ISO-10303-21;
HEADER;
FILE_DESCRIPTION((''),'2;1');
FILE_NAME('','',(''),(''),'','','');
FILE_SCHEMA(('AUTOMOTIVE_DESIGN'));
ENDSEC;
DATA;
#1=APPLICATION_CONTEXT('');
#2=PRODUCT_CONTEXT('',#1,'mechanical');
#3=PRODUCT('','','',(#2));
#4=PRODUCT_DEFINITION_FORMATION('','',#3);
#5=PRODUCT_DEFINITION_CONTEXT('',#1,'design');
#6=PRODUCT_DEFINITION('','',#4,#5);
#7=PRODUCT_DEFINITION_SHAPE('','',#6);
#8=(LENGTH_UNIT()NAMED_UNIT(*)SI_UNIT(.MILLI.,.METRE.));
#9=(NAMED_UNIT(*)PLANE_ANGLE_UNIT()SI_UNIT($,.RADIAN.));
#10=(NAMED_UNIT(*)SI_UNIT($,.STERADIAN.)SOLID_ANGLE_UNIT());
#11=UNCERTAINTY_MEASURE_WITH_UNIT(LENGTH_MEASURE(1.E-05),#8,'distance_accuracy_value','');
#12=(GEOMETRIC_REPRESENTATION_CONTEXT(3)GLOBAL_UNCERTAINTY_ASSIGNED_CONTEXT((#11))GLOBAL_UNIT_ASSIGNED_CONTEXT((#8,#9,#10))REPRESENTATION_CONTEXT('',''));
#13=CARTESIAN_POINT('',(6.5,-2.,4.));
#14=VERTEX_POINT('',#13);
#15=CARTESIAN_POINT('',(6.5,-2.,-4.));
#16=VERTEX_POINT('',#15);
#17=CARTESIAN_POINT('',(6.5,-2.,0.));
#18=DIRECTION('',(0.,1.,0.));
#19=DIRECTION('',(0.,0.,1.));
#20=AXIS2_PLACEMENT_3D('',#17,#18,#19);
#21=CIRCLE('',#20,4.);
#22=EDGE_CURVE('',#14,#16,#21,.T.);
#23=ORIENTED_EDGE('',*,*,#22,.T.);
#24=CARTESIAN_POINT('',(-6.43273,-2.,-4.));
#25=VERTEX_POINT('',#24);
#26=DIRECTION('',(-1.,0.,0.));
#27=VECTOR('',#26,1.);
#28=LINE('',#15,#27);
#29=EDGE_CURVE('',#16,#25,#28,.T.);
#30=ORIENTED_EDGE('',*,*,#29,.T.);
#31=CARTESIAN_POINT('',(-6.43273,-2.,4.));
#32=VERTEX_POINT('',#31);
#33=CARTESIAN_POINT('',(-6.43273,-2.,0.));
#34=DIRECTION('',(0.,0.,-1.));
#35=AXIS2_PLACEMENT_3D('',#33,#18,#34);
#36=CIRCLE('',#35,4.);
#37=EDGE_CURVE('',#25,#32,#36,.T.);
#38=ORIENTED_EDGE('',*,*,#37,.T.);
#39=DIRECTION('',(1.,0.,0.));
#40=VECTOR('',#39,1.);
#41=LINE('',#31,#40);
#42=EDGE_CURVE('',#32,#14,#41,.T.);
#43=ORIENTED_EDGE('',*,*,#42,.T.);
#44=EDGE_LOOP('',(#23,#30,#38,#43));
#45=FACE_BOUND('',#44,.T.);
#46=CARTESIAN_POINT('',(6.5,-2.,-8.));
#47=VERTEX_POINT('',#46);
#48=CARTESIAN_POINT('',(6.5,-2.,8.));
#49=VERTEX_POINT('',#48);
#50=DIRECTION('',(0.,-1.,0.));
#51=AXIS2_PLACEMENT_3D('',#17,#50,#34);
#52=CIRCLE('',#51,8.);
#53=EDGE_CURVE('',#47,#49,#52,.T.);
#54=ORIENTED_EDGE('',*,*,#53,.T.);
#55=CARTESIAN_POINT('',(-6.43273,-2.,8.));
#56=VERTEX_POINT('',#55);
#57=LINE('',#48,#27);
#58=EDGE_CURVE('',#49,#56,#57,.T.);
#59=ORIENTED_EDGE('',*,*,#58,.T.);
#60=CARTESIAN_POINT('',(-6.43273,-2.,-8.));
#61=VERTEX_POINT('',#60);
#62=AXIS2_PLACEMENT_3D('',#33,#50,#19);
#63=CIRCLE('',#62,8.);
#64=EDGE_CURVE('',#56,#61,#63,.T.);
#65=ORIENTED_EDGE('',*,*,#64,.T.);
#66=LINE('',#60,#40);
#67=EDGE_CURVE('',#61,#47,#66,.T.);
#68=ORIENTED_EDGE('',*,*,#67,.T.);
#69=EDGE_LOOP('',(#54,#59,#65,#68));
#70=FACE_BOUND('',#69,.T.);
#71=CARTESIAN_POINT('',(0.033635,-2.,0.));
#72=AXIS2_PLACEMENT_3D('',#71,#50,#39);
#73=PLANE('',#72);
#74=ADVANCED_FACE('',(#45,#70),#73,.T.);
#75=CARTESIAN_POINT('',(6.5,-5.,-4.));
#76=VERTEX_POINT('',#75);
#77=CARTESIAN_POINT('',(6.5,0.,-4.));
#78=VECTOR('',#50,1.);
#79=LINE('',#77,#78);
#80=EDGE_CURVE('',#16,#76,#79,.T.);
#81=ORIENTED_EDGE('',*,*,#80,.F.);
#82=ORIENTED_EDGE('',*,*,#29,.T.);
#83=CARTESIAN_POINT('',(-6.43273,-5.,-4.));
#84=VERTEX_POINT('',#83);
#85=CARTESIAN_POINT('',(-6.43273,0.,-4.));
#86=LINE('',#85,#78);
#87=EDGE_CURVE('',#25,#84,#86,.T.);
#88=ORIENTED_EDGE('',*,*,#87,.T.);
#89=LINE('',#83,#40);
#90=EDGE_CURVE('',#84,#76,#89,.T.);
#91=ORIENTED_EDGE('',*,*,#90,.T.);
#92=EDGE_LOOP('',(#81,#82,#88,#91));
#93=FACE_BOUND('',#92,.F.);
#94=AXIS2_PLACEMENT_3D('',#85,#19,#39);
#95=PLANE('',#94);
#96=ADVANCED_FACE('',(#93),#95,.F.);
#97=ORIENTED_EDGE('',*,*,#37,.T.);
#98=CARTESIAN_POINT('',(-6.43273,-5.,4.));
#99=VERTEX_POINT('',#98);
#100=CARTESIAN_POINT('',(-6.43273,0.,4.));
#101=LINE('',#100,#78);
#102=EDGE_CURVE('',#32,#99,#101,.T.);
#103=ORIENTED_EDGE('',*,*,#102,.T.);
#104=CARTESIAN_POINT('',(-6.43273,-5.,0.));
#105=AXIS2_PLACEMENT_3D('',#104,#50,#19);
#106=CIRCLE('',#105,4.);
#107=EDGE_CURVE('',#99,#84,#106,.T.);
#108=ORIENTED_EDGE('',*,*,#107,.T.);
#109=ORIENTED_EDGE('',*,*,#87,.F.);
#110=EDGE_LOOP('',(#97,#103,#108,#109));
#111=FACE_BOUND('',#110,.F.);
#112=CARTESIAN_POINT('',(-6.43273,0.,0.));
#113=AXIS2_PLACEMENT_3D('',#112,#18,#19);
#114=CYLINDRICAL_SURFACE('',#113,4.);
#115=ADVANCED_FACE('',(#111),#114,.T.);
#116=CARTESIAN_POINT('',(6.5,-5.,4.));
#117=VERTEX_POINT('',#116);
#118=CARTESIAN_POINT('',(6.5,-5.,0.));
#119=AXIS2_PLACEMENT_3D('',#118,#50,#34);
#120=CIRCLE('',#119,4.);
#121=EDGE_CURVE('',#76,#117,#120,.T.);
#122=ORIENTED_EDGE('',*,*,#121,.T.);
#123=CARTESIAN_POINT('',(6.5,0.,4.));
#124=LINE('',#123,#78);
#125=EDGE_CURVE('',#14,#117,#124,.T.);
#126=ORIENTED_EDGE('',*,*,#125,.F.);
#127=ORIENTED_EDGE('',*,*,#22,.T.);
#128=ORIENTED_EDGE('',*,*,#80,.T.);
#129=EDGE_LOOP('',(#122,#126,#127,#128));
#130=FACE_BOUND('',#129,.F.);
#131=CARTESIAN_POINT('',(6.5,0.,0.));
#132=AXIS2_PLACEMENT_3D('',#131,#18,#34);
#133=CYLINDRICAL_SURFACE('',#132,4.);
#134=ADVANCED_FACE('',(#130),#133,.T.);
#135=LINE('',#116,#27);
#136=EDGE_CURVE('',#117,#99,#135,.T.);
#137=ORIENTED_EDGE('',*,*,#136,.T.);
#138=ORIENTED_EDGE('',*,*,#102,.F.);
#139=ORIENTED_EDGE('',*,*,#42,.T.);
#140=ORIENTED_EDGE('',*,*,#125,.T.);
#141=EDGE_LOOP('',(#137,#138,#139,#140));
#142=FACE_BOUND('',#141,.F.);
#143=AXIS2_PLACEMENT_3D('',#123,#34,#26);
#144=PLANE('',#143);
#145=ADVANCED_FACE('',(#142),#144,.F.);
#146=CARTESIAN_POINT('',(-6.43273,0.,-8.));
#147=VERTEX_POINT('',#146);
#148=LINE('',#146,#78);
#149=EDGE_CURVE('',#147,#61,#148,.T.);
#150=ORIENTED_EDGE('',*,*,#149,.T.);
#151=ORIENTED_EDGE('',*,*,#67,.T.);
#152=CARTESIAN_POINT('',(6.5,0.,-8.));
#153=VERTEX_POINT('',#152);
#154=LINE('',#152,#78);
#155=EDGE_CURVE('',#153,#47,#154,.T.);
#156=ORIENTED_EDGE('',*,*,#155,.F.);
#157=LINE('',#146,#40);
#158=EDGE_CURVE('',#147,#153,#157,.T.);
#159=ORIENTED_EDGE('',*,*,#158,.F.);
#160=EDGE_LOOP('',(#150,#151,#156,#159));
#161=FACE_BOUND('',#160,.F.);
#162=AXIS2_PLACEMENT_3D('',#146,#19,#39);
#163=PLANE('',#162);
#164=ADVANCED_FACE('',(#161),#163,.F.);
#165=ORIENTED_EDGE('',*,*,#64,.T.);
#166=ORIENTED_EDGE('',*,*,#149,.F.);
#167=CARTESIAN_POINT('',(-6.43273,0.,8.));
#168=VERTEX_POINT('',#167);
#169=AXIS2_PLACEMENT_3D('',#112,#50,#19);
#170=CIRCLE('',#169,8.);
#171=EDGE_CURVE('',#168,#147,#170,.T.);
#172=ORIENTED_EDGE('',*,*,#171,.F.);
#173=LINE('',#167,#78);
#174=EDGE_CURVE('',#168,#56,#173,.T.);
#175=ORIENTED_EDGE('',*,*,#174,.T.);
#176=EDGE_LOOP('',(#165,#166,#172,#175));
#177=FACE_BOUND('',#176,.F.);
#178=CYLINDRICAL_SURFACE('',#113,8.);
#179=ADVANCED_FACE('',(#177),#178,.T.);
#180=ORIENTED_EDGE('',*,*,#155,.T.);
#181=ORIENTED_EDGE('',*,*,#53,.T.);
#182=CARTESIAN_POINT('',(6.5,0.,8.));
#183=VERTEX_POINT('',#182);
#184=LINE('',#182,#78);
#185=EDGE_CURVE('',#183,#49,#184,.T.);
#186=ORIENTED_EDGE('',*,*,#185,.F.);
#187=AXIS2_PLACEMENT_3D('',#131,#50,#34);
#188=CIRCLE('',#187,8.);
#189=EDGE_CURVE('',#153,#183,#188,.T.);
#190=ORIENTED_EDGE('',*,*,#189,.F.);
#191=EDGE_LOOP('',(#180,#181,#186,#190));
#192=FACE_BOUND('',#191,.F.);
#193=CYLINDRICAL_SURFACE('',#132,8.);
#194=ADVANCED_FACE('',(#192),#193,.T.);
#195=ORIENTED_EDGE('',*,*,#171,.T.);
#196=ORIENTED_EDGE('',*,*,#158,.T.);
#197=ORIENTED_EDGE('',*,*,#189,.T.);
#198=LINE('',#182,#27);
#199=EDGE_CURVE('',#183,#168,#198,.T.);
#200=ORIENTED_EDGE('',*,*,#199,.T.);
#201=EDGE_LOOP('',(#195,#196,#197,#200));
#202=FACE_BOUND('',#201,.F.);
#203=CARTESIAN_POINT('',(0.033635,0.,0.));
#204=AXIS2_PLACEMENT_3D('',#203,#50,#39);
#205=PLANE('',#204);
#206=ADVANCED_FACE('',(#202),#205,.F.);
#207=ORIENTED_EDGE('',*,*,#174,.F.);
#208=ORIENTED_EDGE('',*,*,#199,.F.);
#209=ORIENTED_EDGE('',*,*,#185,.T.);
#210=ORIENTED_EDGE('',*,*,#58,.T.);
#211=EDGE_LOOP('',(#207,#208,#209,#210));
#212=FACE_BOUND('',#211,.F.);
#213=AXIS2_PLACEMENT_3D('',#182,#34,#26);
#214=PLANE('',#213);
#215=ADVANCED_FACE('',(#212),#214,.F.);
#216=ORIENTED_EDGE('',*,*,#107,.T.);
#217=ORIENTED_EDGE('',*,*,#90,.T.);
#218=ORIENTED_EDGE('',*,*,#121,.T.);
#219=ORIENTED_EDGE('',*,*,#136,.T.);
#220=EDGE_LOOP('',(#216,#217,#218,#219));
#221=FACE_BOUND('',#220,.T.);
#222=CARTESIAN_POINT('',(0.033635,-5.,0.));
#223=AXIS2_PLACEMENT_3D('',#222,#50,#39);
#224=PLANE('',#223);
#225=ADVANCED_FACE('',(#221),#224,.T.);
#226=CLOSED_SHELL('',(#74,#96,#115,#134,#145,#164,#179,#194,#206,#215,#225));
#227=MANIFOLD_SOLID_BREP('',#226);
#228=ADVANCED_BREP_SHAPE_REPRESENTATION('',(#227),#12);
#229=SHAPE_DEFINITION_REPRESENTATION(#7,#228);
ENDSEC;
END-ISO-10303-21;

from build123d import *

# Parameters (mm, degrees)
F1_DEPTH = 2
F2_DEPTH = 5


with BuildPart() as f1:
    # F0 (on Front) → F1 (new body)
    with BuildSketch(Plane.XZ):
        with BuildLine():
            ThreePointArc((6.5, -4), (10.5, 0), (6.5, 4))
            Line((6.5, 4), (-6.43273, 4))
            ThreePointArc((-6.43273, 4), (-10.43273, 0), (-6.43273, -4))
            Line((-6.43273, -4), (6.5, -4))
        make_face()
        with BuildLine():
            Line((-6.43273, -8), (6.5, -8))
            ThreePointArc((6.5, -8), (14.5, 0), (6.5, 8))
            Line((6.5, 8), (-6.43273, 8))
            ThreePointArc((-6.43273, 8), (-14.43273, 0), (-6.43273, -8))
        make_face()
        with BuildLine():
            Line((-6.43273, 4), (6.5, 4))
            ThreePointArc((6.5, 4), (10.5, 0), (6.5, -4))
            Line((6.5, -4), (-6.43273, -4))
            ThreePointArc((-6.43273, -4), (-10.43273, 0), (-6.43273, 4))
        make_face(mode=Mode.SUBTRACT)
    extrude(amount=F1_DEPTH)

    # F0 (on Front) → F2 (join)
    with BuildSketch(Plane.XZ):
        with BuildLine():
            ThreePointArc((6.5, -4), (10.5, 0), (6.5, 4))
            Line((6.5, 4), (-6.43273, 4))
            ThreePointArc((-6.43273, 4), (-10.43273, 0), (-6.43273, -4))
            Line((-6.43273, -4), (6.5, -4))
        make_face()
    extrude(amount=F2_DEPTH)


solid = f1.part
